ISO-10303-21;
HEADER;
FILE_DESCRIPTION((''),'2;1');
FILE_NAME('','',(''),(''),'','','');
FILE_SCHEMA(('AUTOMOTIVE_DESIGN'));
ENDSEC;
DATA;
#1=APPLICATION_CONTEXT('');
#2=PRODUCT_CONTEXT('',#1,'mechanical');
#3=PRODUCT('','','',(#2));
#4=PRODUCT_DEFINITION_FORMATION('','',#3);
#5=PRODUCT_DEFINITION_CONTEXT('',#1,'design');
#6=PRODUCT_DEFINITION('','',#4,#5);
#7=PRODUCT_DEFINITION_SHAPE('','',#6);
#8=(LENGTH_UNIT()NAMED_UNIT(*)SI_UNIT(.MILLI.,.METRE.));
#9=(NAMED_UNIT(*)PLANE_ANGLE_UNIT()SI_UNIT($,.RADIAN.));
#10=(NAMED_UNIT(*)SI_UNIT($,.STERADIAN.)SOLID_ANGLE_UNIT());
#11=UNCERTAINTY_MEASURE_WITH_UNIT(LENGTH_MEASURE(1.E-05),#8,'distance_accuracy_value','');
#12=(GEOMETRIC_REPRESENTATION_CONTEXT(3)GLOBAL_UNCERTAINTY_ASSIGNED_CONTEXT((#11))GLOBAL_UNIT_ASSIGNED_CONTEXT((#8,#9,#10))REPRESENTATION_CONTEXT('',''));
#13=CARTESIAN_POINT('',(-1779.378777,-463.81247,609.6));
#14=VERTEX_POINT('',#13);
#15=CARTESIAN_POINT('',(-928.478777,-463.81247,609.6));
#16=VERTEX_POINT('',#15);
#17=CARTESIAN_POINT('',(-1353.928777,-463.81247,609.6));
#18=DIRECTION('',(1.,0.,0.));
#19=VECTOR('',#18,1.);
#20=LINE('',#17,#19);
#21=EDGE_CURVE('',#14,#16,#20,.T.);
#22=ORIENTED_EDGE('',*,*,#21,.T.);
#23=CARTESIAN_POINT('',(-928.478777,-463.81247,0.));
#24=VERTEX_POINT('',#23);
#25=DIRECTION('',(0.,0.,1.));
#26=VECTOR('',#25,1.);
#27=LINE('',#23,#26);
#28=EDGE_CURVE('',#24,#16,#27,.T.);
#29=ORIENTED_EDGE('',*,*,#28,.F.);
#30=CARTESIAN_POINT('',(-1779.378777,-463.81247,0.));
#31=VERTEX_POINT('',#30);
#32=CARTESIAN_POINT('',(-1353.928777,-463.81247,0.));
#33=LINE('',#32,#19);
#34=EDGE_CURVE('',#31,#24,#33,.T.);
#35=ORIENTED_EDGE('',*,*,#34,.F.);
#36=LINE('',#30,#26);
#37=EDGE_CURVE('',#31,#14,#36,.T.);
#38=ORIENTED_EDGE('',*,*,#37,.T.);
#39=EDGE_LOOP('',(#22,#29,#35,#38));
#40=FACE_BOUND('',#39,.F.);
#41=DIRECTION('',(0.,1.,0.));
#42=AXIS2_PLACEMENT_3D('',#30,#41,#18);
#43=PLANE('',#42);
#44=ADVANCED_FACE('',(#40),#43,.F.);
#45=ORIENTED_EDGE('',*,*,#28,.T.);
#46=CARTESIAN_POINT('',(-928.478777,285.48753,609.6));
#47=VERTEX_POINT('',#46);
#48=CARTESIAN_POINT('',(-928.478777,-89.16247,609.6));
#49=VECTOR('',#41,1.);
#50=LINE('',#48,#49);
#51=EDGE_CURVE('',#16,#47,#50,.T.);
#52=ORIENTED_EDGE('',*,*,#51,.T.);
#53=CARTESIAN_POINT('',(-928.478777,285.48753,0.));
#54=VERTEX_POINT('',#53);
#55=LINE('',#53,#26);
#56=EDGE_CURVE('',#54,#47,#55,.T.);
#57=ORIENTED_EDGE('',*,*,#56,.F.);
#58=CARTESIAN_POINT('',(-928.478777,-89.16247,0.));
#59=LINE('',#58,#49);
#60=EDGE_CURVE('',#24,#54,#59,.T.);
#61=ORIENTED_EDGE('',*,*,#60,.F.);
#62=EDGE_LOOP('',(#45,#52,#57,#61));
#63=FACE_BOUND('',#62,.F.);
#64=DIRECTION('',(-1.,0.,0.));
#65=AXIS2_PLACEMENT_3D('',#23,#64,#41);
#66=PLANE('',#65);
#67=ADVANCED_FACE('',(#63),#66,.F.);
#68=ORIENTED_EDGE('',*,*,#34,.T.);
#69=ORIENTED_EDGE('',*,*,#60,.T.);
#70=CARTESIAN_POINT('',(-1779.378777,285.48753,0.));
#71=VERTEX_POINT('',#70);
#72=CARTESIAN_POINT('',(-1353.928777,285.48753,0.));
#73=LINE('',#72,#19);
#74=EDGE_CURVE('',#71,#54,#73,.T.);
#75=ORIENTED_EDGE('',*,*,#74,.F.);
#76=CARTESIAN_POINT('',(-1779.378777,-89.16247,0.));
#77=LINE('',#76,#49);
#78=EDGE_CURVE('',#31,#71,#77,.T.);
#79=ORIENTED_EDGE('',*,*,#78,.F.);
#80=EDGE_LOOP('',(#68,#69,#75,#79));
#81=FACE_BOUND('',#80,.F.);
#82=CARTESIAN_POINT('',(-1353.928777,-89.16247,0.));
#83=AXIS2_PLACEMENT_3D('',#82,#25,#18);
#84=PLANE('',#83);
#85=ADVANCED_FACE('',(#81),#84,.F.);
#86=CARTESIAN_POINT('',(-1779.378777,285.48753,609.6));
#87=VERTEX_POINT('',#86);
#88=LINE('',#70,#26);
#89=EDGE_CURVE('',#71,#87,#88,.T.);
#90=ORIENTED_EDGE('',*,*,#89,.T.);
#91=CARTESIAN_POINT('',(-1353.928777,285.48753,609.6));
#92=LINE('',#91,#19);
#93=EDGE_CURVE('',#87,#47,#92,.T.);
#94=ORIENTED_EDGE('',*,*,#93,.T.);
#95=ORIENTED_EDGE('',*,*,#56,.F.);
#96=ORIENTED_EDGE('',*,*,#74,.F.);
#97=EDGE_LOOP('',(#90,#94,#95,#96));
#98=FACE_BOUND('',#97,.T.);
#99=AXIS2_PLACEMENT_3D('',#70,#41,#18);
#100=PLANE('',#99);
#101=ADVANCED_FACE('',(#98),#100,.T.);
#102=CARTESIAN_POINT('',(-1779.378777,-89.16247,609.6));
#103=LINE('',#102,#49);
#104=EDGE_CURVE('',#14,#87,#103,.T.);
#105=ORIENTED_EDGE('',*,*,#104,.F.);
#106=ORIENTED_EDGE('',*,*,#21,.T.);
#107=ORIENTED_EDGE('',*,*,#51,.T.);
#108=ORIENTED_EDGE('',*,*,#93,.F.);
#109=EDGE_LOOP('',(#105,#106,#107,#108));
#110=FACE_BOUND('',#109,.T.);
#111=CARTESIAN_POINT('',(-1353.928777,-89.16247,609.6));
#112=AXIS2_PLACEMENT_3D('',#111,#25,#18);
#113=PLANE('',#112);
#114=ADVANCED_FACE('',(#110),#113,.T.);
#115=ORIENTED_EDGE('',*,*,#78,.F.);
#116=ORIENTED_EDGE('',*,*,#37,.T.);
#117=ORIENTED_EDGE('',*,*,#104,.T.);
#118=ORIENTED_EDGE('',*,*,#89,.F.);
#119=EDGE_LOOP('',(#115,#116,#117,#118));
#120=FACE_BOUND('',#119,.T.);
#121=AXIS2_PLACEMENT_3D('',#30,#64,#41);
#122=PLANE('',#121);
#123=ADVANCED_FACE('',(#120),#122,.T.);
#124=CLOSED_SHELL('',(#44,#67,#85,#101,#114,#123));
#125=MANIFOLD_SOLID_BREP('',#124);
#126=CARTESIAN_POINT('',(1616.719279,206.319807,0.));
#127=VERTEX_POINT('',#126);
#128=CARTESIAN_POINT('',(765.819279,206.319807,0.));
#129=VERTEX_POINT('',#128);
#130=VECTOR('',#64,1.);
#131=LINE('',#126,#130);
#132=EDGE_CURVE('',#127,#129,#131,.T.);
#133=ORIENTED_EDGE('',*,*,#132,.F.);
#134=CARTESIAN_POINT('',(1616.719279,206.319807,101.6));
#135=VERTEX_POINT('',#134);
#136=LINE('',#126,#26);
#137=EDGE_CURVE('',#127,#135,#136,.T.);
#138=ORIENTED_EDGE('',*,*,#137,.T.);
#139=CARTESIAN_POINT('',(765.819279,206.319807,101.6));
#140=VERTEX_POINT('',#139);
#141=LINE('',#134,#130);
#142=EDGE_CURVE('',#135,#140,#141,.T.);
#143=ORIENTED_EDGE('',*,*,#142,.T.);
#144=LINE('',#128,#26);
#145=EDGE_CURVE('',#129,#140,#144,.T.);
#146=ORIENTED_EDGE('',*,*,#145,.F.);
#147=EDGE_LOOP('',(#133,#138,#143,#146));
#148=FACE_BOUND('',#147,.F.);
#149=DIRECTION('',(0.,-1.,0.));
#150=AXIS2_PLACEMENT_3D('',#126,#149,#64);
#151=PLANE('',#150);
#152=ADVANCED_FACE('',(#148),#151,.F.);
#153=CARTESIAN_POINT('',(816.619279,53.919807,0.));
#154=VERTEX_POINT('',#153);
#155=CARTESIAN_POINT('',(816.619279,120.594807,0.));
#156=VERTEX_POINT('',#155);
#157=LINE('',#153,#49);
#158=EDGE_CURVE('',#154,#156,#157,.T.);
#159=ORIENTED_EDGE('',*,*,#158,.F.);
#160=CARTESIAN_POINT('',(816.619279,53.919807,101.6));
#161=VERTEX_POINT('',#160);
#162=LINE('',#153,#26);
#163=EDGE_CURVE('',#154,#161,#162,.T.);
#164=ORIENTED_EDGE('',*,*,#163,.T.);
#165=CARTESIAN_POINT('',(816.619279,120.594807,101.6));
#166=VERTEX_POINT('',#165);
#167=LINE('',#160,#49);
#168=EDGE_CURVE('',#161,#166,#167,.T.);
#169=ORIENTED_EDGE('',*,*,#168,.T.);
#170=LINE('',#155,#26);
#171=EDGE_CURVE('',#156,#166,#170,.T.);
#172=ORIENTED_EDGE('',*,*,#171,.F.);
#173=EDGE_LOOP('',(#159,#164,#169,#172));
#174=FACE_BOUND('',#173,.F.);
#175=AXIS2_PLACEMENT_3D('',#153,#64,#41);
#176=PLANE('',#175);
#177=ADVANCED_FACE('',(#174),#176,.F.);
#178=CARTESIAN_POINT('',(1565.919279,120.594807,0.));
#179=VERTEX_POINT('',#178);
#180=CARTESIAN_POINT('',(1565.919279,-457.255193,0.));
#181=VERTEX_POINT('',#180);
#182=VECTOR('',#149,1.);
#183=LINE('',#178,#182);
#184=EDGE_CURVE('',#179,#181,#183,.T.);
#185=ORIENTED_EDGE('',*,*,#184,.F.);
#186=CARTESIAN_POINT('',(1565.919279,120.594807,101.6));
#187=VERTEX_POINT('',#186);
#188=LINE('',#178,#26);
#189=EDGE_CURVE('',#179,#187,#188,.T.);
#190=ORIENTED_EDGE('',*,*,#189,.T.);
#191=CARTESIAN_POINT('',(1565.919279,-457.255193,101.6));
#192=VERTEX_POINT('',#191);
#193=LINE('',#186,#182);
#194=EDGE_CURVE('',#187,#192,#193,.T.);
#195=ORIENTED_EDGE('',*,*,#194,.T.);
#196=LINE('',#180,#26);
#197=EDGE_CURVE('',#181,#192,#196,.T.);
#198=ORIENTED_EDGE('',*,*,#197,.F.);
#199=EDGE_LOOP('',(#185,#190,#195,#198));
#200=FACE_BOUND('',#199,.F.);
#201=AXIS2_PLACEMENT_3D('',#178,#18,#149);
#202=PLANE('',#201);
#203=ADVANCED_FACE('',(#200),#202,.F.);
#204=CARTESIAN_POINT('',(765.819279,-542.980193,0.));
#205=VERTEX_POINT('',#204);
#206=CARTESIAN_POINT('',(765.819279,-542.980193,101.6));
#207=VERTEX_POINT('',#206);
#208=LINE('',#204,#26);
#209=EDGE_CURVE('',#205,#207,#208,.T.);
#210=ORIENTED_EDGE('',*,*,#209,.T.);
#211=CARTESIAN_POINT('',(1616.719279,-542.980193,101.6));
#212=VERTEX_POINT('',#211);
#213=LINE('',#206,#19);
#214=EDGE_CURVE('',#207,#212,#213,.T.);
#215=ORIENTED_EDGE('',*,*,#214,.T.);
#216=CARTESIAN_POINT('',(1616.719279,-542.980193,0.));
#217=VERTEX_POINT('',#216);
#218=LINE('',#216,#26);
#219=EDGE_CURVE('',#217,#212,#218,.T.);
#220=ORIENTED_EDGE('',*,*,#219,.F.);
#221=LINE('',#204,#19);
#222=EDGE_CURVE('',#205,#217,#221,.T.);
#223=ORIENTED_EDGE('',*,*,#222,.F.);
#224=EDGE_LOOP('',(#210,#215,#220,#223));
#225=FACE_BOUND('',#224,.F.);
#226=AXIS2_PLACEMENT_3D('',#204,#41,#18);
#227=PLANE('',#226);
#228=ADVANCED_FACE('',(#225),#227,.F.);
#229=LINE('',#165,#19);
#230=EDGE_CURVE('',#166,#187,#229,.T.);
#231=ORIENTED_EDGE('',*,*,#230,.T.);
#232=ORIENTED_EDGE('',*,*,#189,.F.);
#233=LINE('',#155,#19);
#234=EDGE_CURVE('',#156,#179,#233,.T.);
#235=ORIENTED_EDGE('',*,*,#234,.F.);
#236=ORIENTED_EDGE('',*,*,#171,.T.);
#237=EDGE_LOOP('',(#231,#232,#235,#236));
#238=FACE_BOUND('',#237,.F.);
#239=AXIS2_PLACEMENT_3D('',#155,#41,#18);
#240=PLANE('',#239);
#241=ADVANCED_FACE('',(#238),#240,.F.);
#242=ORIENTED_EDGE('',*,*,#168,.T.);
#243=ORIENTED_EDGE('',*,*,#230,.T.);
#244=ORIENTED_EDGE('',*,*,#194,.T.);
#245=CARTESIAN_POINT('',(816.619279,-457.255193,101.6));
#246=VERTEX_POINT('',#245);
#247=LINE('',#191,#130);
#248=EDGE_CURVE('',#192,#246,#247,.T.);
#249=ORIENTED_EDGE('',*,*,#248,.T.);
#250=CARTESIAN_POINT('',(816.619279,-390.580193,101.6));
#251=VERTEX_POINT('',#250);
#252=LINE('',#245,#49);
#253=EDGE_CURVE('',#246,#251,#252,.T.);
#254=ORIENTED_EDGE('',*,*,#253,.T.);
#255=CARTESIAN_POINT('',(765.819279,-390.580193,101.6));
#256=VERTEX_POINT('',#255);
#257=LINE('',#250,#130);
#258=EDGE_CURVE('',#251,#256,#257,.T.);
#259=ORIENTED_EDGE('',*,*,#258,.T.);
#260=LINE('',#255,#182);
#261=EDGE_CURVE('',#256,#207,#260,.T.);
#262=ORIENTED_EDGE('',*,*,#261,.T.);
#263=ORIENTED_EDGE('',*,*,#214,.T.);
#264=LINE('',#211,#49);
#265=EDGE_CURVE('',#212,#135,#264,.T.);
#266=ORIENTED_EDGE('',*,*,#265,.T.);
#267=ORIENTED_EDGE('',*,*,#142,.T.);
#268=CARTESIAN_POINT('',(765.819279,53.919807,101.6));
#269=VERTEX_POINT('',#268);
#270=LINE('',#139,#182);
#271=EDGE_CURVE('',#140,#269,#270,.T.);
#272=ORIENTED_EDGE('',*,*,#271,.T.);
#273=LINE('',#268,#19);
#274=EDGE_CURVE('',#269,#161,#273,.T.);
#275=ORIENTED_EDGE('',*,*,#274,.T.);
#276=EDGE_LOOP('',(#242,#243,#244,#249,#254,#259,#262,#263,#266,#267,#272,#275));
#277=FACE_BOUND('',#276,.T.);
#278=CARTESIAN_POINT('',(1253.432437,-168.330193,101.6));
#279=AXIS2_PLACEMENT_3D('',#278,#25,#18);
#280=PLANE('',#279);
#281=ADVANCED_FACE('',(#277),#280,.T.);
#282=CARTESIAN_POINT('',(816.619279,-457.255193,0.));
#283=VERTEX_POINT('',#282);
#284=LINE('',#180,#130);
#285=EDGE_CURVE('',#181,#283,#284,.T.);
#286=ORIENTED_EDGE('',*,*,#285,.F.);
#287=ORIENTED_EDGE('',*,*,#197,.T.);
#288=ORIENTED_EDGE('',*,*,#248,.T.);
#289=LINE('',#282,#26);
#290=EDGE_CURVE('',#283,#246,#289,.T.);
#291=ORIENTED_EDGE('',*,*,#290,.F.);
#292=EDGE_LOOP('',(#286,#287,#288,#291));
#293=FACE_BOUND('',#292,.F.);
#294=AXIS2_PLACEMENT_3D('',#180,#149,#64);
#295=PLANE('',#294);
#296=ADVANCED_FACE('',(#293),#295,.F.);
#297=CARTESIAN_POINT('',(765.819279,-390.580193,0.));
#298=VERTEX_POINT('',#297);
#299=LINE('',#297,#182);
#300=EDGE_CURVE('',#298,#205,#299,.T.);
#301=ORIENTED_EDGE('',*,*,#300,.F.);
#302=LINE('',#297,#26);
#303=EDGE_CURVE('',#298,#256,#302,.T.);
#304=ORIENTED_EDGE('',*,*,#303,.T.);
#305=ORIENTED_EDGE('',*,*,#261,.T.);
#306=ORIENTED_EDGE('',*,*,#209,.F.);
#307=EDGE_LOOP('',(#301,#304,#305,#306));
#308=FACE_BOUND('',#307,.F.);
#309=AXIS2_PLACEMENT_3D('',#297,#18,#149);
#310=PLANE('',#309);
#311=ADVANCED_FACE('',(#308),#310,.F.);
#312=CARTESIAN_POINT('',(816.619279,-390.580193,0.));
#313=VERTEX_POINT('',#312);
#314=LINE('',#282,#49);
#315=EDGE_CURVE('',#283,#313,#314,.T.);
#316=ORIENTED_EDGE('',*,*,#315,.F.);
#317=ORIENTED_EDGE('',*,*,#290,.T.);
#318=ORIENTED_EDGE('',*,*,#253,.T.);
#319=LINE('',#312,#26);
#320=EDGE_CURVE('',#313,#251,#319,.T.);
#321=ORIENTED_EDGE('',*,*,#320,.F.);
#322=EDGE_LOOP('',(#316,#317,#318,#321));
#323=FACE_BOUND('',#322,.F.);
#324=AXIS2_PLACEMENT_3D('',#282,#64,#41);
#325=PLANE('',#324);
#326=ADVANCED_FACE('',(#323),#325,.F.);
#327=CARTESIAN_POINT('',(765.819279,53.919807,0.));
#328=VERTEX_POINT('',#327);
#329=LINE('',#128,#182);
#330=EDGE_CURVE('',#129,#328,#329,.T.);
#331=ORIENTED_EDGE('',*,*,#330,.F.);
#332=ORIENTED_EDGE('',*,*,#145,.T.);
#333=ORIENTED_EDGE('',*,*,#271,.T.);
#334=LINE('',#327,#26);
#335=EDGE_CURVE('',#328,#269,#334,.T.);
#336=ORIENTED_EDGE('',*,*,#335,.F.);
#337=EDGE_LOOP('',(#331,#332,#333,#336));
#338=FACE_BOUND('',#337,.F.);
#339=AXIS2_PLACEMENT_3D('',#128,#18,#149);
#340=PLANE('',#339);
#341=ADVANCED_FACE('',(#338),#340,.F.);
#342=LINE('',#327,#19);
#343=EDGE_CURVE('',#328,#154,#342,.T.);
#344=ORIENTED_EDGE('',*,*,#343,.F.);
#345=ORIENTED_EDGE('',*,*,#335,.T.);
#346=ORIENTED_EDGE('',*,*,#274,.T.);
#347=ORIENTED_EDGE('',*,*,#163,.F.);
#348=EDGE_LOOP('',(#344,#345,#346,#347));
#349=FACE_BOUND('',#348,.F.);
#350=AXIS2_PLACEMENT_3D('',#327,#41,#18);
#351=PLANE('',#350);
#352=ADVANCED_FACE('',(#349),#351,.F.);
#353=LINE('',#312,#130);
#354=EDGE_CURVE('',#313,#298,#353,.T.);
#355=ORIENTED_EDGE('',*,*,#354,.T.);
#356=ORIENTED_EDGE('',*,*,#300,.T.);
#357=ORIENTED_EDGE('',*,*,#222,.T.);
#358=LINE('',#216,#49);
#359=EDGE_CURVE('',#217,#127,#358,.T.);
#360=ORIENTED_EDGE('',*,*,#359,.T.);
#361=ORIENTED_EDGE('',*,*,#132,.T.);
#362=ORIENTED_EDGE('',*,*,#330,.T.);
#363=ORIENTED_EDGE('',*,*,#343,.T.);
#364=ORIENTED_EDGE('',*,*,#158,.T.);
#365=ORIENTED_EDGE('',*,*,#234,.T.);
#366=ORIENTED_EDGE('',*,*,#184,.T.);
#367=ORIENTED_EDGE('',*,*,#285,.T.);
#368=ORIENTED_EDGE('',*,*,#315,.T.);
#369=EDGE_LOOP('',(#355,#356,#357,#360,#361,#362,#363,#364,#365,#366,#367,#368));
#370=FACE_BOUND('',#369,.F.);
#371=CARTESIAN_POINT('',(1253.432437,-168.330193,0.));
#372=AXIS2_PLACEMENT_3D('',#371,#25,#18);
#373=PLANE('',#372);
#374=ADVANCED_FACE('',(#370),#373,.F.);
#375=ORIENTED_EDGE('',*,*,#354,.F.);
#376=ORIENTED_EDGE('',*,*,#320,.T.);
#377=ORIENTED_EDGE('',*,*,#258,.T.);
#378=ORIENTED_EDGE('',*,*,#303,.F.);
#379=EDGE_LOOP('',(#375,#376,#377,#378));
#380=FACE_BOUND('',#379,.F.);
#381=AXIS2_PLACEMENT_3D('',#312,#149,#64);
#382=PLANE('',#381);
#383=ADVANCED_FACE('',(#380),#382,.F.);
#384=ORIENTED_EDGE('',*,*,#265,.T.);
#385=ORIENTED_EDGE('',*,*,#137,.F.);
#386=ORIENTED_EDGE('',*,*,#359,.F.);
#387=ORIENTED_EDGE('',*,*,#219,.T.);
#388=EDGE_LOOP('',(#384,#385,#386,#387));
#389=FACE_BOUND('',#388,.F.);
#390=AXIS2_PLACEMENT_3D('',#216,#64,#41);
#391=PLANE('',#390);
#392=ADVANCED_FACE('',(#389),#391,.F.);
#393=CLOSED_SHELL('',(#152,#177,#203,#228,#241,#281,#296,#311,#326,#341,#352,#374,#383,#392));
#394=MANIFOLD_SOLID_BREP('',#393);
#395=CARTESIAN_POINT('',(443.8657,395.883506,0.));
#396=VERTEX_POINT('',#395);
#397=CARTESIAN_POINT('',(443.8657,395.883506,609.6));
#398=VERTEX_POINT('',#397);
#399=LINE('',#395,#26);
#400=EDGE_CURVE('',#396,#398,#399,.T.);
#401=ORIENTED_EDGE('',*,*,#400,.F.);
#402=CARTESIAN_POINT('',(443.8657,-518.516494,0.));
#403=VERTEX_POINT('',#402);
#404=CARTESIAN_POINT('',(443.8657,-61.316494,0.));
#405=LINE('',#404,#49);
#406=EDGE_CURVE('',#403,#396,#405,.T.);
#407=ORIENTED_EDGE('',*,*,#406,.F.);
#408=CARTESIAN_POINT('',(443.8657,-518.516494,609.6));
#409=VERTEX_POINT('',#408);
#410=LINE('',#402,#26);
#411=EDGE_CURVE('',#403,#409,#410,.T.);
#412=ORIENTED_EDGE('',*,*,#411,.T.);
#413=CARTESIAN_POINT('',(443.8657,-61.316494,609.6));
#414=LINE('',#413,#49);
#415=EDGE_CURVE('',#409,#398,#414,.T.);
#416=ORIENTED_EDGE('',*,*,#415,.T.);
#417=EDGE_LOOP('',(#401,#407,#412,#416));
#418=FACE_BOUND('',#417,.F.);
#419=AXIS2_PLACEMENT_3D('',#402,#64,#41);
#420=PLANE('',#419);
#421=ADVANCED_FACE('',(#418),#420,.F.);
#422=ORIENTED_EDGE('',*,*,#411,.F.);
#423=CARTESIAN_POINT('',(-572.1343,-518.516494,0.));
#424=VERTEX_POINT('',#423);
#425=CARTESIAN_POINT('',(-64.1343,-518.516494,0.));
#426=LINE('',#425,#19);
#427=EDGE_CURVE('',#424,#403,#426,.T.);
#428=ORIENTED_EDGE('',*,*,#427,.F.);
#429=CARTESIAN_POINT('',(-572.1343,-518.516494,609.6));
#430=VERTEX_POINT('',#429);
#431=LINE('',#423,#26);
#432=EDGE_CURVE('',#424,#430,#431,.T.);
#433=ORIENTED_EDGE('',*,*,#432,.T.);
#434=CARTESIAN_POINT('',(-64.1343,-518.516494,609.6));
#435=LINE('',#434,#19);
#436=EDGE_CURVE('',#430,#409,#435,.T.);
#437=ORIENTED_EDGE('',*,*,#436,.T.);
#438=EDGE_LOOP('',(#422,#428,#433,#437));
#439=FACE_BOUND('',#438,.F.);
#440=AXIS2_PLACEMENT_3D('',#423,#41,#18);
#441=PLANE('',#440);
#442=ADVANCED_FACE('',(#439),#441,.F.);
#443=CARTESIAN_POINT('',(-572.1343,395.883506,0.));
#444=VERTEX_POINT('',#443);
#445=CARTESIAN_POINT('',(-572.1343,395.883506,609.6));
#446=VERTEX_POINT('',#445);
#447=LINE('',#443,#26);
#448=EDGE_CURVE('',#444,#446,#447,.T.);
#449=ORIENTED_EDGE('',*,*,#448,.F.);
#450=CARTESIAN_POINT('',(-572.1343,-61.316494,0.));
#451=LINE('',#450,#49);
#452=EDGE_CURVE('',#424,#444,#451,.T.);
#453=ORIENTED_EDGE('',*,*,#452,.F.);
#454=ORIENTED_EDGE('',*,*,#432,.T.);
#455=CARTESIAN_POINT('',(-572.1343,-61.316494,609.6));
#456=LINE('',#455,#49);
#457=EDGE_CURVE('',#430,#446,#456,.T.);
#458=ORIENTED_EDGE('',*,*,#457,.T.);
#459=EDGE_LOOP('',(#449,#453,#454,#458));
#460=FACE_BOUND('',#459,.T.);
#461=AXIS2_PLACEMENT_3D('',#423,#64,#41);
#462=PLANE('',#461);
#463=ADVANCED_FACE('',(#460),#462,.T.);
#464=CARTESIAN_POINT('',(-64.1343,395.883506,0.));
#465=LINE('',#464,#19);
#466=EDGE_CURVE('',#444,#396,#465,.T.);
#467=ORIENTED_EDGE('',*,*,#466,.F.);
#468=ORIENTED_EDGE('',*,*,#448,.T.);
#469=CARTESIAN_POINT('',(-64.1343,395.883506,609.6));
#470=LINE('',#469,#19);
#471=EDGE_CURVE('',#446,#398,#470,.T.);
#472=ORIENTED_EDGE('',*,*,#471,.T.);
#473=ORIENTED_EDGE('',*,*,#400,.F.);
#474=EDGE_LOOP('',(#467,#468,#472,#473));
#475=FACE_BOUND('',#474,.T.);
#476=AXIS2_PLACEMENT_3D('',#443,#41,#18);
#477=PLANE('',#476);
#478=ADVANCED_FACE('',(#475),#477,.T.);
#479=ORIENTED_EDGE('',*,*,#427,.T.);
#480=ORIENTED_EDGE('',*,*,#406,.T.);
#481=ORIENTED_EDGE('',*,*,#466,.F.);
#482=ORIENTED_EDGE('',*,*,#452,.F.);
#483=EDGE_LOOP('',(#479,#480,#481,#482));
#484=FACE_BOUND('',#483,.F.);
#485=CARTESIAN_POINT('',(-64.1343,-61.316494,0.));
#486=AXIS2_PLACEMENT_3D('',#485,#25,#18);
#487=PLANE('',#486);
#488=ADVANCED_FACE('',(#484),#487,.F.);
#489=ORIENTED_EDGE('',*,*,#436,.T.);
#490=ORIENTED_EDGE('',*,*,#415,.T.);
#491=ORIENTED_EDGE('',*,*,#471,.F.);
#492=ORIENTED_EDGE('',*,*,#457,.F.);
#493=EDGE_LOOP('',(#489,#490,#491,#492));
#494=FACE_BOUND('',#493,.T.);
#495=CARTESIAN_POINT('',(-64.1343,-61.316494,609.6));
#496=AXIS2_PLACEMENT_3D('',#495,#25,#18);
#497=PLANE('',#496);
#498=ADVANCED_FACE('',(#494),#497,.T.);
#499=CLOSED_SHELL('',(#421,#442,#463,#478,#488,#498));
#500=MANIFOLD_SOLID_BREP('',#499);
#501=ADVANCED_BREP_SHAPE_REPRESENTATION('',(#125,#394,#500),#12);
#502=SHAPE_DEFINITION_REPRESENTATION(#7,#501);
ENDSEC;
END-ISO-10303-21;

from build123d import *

# Parameters (mm, degrees)
F0_W     = 1016
F0_H     = 914.4
F1_DEPTH = 609.6
F2_W     = 850.9
F2_H     = 749.3
F3_DEPTH = 609.6
F5_DEPTH = 101.6


with BuildPart() as f1:
    # F0 (on Top) → F1 (new body)
    with BuildSketch(Plane.XY):
        with Locations((-64.1343, -61.316494)):
            Rectangle(F0_W, F0_H)
    extrude(amount=F1_DEPTH)


with BuildPart() as f3:
    # F2 (on Top) → F3 (new body)
    with BuildSketch(Plane.XY):
        with Locations((-1353.928777, -89.16247)):
            Rectangle(F2_W, F2_H)
    extrude(amount=F3_DEPTH)


with BuildPart() as f5:
    # F4 (on Top) → F5 (new body)
    with BuildSketch(Plane.XY):
        Polygon((1616.719279, 206.319807), (765.819279, 206.319807), (765.819279, 53.919807), (816.619279, 53.919807), (816.619279, 120.594807), (1565.919279, 120.594807), (1565.919279, -457.255193), (816.619279, -457.255193), (816.619279, -390.580193), (765.819279, -390.580193), (765.819279, -542.980193), (1616.719279, -542.980193), align=None)
    extrude(amount=F5_DEPTH)


solid = Compound([f1.part, f3.part, f5.part])
